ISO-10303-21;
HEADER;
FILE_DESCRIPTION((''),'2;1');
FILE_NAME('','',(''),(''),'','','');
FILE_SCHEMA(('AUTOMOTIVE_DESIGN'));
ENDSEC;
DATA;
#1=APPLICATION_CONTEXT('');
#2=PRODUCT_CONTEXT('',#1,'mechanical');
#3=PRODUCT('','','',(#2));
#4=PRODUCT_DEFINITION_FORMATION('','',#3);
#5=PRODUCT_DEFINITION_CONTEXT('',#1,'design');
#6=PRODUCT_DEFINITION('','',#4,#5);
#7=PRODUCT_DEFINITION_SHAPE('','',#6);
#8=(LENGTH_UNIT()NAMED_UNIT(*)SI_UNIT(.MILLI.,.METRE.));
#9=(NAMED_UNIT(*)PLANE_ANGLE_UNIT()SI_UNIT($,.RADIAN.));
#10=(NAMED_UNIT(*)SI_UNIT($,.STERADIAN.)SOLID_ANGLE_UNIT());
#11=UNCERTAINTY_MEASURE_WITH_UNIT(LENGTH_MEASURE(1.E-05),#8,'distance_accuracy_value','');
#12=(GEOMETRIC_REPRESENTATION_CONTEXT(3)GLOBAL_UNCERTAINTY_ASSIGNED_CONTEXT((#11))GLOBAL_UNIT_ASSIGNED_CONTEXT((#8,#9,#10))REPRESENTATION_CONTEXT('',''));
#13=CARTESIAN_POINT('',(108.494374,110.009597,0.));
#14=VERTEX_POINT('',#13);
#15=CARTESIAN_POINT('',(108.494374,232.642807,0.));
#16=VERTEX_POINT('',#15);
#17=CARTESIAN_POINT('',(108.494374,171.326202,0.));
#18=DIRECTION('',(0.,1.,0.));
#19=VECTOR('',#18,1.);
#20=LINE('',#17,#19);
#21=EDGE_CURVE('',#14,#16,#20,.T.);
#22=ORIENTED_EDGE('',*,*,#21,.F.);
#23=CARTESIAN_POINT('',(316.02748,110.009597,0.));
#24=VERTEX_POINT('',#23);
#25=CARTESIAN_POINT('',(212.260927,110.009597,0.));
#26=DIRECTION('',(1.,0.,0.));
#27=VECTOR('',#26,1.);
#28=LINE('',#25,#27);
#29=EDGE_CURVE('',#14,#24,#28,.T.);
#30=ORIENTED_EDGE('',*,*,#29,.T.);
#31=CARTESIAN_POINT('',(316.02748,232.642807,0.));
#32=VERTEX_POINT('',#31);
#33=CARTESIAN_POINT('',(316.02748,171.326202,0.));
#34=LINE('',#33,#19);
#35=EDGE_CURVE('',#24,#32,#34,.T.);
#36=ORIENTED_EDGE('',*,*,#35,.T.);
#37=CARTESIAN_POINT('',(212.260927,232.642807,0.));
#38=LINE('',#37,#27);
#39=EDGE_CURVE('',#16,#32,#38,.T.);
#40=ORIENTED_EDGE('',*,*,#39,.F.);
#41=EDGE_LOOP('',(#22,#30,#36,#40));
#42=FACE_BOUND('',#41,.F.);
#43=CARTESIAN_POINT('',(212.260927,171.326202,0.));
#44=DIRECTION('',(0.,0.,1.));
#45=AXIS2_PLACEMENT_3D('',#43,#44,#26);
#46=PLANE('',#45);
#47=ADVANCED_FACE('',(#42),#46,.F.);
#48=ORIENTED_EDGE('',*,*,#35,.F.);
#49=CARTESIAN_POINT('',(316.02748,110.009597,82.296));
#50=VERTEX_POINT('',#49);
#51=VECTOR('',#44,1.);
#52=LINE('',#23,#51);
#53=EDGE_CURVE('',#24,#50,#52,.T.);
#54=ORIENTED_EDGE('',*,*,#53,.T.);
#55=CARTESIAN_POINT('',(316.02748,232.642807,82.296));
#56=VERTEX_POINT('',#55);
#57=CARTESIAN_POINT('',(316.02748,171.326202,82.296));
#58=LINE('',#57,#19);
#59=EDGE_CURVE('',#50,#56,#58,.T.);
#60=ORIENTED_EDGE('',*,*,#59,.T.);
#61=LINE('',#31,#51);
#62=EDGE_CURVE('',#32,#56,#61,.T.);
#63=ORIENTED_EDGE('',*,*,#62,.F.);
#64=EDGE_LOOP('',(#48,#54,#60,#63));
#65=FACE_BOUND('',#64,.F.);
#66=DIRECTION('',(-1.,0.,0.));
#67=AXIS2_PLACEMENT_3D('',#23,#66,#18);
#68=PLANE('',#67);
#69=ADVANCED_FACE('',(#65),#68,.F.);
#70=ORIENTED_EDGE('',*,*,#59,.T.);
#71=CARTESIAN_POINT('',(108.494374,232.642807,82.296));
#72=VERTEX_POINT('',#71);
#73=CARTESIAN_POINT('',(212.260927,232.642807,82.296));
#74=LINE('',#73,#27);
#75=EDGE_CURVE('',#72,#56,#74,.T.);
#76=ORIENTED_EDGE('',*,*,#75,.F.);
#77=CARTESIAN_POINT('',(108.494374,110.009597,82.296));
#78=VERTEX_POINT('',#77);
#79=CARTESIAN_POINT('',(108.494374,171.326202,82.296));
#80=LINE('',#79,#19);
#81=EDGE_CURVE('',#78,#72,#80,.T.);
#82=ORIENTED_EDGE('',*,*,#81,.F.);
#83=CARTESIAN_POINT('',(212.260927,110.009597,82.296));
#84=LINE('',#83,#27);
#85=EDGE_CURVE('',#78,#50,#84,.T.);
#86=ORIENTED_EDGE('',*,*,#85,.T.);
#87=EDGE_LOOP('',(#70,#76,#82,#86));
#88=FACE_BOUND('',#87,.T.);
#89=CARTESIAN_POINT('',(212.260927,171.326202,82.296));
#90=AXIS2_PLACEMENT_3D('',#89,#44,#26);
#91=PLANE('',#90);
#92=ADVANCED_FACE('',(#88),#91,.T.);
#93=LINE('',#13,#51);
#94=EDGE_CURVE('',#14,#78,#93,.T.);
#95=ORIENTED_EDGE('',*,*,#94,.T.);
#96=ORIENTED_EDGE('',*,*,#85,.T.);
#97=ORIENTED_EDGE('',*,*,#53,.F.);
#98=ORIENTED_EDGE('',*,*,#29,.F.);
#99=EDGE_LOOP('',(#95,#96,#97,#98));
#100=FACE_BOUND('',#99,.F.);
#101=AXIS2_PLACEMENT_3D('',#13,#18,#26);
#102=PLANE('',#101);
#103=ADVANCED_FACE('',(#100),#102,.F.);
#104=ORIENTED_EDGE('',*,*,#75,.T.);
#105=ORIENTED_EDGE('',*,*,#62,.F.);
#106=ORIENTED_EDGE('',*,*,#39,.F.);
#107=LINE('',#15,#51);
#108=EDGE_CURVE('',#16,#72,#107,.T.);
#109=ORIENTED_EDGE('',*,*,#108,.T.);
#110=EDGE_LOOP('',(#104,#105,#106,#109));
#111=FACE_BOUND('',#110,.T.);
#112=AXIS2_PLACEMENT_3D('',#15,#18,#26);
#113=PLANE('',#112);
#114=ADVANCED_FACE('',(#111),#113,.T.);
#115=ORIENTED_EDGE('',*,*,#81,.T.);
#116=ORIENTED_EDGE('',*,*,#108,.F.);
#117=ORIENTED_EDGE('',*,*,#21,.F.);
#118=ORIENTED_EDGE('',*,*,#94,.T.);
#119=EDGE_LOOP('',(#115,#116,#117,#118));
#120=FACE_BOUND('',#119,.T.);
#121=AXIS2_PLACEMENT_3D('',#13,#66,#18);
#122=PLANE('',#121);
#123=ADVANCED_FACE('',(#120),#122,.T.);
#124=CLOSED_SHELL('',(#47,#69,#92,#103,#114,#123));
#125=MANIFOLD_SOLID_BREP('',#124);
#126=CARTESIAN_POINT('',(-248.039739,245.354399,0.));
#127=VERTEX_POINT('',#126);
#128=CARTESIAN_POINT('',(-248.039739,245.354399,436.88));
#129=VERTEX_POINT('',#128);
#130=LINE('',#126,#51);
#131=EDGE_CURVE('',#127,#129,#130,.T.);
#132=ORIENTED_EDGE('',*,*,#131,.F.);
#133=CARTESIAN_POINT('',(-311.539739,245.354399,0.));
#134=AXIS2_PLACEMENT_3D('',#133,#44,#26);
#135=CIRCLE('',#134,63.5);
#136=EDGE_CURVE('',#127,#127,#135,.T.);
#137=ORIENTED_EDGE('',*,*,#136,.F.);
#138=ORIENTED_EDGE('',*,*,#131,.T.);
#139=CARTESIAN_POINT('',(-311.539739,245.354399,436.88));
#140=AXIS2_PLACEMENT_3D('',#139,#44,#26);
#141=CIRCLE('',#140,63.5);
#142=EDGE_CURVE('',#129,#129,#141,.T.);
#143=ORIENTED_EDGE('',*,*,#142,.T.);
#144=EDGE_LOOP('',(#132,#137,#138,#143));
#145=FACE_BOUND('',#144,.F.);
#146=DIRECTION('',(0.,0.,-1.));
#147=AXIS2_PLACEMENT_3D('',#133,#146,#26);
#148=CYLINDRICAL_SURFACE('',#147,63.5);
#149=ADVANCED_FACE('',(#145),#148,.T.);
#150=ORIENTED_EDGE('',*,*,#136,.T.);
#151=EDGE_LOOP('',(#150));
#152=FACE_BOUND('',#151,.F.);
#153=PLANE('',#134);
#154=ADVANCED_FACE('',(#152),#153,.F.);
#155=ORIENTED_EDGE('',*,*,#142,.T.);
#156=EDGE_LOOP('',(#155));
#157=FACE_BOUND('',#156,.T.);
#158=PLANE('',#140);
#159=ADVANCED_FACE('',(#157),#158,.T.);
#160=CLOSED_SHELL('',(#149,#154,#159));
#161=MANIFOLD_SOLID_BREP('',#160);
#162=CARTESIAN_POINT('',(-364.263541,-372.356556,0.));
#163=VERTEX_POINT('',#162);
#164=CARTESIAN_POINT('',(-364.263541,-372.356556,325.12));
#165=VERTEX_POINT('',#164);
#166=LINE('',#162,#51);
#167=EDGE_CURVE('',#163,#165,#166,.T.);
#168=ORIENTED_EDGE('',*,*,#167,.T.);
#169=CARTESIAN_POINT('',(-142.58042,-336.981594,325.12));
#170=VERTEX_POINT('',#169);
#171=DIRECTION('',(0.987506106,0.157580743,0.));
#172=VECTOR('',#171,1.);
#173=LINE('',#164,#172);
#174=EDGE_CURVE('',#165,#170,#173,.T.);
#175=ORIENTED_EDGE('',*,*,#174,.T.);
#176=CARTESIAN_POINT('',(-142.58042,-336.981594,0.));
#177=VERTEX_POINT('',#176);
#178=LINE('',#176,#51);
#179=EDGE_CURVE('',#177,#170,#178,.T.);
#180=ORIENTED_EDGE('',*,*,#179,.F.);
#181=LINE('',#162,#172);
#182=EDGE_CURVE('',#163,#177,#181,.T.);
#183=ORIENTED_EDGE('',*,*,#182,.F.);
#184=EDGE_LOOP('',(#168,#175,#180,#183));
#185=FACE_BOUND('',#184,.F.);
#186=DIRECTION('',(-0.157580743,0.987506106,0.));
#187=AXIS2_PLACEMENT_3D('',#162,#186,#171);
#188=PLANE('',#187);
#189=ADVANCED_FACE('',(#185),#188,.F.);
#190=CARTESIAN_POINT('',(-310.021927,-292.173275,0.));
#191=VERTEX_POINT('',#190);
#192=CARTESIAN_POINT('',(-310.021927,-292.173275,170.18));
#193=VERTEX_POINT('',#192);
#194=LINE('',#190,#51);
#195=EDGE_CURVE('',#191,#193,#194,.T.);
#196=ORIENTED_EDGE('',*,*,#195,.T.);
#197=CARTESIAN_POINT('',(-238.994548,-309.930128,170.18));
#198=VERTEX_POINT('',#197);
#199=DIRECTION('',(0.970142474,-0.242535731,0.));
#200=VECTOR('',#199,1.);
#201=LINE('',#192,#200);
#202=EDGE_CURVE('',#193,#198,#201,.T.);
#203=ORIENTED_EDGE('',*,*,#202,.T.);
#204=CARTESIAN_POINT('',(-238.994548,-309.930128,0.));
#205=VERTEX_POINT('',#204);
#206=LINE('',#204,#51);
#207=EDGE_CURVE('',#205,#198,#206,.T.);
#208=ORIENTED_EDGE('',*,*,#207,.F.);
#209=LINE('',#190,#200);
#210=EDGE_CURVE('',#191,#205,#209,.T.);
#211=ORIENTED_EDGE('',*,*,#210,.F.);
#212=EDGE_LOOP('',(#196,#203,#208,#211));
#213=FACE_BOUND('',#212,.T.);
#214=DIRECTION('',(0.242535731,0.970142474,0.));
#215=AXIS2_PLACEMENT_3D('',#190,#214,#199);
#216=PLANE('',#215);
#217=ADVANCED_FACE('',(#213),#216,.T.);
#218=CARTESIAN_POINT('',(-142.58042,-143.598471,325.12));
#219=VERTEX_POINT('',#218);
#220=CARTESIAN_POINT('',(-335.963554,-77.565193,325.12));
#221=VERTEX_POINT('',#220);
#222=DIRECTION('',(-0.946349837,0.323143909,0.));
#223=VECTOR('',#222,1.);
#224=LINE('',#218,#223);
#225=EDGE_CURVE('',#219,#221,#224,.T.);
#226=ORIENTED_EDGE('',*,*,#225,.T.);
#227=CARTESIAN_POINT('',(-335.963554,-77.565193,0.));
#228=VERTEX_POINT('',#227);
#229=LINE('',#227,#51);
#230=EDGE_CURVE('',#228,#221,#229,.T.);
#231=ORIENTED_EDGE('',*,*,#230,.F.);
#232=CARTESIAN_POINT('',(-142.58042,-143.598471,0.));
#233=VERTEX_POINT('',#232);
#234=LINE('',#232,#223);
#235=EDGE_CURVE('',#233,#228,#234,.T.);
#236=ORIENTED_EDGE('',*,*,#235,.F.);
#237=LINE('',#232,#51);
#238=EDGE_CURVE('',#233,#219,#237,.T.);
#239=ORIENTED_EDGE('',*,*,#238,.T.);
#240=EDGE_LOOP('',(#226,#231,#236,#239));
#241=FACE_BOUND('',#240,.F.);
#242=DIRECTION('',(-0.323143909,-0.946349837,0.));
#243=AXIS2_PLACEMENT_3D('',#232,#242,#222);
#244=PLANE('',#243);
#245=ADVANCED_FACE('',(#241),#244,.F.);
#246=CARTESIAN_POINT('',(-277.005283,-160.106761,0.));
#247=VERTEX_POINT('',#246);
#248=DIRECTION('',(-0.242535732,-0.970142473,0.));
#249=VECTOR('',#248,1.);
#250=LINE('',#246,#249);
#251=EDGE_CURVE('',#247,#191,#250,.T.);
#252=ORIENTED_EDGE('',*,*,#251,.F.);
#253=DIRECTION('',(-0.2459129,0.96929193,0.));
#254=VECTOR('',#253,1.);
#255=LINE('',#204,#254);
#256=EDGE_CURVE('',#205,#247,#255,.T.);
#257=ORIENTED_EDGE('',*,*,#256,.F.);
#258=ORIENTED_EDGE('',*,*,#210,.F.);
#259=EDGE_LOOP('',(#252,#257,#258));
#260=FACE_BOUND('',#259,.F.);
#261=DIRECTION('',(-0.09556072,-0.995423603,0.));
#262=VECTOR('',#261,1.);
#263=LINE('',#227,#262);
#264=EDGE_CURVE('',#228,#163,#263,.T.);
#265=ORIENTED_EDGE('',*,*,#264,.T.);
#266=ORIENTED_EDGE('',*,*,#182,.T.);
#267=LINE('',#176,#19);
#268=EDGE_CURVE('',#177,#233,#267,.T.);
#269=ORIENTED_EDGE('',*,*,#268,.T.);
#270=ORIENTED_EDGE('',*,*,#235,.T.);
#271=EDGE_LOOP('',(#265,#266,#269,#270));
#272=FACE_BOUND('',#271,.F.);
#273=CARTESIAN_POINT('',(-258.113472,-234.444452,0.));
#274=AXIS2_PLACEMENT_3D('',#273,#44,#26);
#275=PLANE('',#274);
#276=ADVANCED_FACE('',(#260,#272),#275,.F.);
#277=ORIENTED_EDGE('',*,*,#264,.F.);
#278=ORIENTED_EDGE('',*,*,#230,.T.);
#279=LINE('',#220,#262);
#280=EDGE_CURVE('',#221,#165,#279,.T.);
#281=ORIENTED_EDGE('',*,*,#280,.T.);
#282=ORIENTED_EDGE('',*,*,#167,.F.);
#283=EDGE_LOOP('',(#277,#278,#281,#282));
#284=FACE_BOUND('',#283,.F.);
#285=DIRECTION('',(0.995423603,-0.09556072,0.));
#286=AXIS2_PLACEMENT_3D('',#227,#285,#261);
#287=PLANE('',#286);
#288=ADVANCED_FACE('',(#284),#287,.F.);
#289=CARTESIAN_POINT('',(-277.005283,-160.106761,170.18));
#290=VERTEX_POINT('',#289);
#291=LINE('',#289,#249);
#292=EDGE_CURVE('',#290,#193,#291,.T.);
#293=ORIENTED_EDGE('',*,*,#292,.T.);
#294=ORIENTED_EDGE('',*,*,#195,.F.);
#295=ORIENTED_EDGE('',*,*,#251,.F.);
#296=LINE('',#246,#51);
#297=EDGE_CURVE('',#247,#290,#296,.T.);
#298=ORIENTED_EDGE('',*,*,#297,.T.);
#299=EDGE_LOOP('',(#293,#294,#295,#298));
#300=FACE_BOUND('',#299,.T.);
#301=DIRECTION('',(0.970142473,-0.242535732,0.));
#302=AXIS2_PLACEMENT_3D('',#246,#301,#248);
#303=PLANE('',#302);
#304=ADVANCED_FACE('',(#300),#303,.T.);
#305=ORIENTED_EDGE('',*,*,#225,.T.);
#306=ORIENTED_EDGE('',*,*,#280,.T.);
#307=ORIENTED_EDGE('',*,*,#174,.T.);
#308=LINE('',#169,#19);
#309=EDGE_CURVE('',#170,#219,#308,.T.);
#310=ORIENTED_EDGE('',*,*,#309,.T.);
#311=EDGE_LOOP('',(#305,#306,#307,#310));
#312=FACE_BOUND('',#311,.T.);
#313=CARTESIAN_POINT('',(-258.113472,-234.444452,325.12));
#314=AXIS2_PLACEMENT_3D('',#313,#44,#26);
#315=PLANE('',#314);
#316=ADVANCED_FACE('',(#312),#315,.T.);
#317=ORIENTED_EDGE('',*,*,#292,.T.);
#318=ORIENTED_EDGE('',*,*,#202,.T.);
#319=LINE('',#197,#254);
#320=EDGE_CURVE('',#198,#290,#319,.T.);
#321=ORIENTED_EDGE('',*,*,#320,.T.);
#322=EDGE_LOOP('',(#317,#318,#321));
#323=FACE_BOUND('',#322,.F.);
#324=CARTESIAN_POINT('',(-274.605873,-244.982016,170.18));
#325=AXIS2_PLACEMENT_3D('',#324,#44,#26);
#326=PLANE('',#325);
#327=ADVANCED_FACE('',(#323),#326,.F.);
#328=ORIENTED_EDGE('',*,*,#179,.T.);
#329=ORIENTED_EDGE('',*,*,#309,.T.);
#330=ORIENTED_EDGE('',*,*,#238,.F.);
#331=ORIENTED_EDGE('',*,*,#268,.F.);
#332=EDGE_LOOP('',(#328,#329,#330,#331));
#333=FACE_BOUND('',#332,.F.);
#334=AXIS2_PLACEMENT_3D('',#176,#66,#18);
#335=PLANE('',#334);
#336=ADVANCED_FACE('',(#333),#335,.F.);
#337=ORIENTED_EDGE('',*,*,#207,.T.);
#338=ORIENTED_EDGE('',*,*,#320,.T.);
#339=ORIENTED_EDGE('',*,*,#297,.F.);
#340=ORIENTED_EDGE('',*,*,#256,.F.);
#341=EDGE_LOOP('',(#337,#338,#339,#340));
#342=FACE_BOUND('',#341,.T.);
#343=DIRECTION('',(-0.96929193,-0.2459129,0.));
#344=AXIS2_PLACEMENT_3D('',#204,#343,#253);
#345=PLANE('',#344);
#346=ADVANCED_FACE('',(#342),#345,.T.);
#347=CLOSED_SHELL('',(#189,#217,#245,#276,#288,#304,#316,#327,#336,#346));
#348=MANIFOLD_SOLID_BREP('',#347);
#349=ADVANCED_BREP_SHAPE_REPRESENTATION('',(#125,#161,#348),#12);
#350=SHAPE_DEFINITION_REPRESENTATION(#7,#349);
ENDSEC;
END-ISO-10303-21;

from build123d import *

# Parameters (mm, degrees)
F0_W     = 207.533106
F0_H     = 122.63321
F1_DEPTH = 82.296
F0_R     = 63.5
F2_DEPTH = 436.88
F3_DEPTH = 325.12
F4_DEPTH = 170.18


with BuildPart() as f1:
    # F0 (on Top) → F1 (new body)
    with BuildSketch(Plane.XY):
        with Locations((212.260927, 171.326202)):
            Rectangle(F0_W, F0_H)
    extrude(amount=F1_DEPTH)


with BuildPart() as f2:
    # F0 (on Top) → F2 (new body)
    with BuildSketch(Plane.XY):
        with Locations((-311.539739, 245.354399)):
            Circle(F0_R)
    extrude(amount=F2_DEPTH)


with BuildPart() as f3:
    # F0 (on Top) → F3 (new body)
    with BuildSketch(Plane.XY):
        Polygon((-142.58042, -143.598471), (-335.963554, -77.565193), (-364.263541, -372.356556), (-142.58042, -336.981594), align=None)
        Polygon((-310.021927, -292.173275), (-277.005283, -160.106761), (-238.994548, -309.930128), align=None, mode=Mode.SUBTRACT)
        Polygon((-238.994548, -309.930128), (-277.005283, -160.106761), (-310.021927, -292.173275), align=None)
    extrude(amount=F3_DEPTH)

    # F0 (on Top) → F4 (cut)
    with BuildSketch(Plane.XY):
        Polygon((-238.994548, -309.930128), (-277.005283, -160.106761), (-310.021927, -292.173275), align=None)
    extrude(amount=F4_DEPTH, mode=Mode.SUBTRACT)


solid = Compound([f1.part, f2.part, f3.part])
